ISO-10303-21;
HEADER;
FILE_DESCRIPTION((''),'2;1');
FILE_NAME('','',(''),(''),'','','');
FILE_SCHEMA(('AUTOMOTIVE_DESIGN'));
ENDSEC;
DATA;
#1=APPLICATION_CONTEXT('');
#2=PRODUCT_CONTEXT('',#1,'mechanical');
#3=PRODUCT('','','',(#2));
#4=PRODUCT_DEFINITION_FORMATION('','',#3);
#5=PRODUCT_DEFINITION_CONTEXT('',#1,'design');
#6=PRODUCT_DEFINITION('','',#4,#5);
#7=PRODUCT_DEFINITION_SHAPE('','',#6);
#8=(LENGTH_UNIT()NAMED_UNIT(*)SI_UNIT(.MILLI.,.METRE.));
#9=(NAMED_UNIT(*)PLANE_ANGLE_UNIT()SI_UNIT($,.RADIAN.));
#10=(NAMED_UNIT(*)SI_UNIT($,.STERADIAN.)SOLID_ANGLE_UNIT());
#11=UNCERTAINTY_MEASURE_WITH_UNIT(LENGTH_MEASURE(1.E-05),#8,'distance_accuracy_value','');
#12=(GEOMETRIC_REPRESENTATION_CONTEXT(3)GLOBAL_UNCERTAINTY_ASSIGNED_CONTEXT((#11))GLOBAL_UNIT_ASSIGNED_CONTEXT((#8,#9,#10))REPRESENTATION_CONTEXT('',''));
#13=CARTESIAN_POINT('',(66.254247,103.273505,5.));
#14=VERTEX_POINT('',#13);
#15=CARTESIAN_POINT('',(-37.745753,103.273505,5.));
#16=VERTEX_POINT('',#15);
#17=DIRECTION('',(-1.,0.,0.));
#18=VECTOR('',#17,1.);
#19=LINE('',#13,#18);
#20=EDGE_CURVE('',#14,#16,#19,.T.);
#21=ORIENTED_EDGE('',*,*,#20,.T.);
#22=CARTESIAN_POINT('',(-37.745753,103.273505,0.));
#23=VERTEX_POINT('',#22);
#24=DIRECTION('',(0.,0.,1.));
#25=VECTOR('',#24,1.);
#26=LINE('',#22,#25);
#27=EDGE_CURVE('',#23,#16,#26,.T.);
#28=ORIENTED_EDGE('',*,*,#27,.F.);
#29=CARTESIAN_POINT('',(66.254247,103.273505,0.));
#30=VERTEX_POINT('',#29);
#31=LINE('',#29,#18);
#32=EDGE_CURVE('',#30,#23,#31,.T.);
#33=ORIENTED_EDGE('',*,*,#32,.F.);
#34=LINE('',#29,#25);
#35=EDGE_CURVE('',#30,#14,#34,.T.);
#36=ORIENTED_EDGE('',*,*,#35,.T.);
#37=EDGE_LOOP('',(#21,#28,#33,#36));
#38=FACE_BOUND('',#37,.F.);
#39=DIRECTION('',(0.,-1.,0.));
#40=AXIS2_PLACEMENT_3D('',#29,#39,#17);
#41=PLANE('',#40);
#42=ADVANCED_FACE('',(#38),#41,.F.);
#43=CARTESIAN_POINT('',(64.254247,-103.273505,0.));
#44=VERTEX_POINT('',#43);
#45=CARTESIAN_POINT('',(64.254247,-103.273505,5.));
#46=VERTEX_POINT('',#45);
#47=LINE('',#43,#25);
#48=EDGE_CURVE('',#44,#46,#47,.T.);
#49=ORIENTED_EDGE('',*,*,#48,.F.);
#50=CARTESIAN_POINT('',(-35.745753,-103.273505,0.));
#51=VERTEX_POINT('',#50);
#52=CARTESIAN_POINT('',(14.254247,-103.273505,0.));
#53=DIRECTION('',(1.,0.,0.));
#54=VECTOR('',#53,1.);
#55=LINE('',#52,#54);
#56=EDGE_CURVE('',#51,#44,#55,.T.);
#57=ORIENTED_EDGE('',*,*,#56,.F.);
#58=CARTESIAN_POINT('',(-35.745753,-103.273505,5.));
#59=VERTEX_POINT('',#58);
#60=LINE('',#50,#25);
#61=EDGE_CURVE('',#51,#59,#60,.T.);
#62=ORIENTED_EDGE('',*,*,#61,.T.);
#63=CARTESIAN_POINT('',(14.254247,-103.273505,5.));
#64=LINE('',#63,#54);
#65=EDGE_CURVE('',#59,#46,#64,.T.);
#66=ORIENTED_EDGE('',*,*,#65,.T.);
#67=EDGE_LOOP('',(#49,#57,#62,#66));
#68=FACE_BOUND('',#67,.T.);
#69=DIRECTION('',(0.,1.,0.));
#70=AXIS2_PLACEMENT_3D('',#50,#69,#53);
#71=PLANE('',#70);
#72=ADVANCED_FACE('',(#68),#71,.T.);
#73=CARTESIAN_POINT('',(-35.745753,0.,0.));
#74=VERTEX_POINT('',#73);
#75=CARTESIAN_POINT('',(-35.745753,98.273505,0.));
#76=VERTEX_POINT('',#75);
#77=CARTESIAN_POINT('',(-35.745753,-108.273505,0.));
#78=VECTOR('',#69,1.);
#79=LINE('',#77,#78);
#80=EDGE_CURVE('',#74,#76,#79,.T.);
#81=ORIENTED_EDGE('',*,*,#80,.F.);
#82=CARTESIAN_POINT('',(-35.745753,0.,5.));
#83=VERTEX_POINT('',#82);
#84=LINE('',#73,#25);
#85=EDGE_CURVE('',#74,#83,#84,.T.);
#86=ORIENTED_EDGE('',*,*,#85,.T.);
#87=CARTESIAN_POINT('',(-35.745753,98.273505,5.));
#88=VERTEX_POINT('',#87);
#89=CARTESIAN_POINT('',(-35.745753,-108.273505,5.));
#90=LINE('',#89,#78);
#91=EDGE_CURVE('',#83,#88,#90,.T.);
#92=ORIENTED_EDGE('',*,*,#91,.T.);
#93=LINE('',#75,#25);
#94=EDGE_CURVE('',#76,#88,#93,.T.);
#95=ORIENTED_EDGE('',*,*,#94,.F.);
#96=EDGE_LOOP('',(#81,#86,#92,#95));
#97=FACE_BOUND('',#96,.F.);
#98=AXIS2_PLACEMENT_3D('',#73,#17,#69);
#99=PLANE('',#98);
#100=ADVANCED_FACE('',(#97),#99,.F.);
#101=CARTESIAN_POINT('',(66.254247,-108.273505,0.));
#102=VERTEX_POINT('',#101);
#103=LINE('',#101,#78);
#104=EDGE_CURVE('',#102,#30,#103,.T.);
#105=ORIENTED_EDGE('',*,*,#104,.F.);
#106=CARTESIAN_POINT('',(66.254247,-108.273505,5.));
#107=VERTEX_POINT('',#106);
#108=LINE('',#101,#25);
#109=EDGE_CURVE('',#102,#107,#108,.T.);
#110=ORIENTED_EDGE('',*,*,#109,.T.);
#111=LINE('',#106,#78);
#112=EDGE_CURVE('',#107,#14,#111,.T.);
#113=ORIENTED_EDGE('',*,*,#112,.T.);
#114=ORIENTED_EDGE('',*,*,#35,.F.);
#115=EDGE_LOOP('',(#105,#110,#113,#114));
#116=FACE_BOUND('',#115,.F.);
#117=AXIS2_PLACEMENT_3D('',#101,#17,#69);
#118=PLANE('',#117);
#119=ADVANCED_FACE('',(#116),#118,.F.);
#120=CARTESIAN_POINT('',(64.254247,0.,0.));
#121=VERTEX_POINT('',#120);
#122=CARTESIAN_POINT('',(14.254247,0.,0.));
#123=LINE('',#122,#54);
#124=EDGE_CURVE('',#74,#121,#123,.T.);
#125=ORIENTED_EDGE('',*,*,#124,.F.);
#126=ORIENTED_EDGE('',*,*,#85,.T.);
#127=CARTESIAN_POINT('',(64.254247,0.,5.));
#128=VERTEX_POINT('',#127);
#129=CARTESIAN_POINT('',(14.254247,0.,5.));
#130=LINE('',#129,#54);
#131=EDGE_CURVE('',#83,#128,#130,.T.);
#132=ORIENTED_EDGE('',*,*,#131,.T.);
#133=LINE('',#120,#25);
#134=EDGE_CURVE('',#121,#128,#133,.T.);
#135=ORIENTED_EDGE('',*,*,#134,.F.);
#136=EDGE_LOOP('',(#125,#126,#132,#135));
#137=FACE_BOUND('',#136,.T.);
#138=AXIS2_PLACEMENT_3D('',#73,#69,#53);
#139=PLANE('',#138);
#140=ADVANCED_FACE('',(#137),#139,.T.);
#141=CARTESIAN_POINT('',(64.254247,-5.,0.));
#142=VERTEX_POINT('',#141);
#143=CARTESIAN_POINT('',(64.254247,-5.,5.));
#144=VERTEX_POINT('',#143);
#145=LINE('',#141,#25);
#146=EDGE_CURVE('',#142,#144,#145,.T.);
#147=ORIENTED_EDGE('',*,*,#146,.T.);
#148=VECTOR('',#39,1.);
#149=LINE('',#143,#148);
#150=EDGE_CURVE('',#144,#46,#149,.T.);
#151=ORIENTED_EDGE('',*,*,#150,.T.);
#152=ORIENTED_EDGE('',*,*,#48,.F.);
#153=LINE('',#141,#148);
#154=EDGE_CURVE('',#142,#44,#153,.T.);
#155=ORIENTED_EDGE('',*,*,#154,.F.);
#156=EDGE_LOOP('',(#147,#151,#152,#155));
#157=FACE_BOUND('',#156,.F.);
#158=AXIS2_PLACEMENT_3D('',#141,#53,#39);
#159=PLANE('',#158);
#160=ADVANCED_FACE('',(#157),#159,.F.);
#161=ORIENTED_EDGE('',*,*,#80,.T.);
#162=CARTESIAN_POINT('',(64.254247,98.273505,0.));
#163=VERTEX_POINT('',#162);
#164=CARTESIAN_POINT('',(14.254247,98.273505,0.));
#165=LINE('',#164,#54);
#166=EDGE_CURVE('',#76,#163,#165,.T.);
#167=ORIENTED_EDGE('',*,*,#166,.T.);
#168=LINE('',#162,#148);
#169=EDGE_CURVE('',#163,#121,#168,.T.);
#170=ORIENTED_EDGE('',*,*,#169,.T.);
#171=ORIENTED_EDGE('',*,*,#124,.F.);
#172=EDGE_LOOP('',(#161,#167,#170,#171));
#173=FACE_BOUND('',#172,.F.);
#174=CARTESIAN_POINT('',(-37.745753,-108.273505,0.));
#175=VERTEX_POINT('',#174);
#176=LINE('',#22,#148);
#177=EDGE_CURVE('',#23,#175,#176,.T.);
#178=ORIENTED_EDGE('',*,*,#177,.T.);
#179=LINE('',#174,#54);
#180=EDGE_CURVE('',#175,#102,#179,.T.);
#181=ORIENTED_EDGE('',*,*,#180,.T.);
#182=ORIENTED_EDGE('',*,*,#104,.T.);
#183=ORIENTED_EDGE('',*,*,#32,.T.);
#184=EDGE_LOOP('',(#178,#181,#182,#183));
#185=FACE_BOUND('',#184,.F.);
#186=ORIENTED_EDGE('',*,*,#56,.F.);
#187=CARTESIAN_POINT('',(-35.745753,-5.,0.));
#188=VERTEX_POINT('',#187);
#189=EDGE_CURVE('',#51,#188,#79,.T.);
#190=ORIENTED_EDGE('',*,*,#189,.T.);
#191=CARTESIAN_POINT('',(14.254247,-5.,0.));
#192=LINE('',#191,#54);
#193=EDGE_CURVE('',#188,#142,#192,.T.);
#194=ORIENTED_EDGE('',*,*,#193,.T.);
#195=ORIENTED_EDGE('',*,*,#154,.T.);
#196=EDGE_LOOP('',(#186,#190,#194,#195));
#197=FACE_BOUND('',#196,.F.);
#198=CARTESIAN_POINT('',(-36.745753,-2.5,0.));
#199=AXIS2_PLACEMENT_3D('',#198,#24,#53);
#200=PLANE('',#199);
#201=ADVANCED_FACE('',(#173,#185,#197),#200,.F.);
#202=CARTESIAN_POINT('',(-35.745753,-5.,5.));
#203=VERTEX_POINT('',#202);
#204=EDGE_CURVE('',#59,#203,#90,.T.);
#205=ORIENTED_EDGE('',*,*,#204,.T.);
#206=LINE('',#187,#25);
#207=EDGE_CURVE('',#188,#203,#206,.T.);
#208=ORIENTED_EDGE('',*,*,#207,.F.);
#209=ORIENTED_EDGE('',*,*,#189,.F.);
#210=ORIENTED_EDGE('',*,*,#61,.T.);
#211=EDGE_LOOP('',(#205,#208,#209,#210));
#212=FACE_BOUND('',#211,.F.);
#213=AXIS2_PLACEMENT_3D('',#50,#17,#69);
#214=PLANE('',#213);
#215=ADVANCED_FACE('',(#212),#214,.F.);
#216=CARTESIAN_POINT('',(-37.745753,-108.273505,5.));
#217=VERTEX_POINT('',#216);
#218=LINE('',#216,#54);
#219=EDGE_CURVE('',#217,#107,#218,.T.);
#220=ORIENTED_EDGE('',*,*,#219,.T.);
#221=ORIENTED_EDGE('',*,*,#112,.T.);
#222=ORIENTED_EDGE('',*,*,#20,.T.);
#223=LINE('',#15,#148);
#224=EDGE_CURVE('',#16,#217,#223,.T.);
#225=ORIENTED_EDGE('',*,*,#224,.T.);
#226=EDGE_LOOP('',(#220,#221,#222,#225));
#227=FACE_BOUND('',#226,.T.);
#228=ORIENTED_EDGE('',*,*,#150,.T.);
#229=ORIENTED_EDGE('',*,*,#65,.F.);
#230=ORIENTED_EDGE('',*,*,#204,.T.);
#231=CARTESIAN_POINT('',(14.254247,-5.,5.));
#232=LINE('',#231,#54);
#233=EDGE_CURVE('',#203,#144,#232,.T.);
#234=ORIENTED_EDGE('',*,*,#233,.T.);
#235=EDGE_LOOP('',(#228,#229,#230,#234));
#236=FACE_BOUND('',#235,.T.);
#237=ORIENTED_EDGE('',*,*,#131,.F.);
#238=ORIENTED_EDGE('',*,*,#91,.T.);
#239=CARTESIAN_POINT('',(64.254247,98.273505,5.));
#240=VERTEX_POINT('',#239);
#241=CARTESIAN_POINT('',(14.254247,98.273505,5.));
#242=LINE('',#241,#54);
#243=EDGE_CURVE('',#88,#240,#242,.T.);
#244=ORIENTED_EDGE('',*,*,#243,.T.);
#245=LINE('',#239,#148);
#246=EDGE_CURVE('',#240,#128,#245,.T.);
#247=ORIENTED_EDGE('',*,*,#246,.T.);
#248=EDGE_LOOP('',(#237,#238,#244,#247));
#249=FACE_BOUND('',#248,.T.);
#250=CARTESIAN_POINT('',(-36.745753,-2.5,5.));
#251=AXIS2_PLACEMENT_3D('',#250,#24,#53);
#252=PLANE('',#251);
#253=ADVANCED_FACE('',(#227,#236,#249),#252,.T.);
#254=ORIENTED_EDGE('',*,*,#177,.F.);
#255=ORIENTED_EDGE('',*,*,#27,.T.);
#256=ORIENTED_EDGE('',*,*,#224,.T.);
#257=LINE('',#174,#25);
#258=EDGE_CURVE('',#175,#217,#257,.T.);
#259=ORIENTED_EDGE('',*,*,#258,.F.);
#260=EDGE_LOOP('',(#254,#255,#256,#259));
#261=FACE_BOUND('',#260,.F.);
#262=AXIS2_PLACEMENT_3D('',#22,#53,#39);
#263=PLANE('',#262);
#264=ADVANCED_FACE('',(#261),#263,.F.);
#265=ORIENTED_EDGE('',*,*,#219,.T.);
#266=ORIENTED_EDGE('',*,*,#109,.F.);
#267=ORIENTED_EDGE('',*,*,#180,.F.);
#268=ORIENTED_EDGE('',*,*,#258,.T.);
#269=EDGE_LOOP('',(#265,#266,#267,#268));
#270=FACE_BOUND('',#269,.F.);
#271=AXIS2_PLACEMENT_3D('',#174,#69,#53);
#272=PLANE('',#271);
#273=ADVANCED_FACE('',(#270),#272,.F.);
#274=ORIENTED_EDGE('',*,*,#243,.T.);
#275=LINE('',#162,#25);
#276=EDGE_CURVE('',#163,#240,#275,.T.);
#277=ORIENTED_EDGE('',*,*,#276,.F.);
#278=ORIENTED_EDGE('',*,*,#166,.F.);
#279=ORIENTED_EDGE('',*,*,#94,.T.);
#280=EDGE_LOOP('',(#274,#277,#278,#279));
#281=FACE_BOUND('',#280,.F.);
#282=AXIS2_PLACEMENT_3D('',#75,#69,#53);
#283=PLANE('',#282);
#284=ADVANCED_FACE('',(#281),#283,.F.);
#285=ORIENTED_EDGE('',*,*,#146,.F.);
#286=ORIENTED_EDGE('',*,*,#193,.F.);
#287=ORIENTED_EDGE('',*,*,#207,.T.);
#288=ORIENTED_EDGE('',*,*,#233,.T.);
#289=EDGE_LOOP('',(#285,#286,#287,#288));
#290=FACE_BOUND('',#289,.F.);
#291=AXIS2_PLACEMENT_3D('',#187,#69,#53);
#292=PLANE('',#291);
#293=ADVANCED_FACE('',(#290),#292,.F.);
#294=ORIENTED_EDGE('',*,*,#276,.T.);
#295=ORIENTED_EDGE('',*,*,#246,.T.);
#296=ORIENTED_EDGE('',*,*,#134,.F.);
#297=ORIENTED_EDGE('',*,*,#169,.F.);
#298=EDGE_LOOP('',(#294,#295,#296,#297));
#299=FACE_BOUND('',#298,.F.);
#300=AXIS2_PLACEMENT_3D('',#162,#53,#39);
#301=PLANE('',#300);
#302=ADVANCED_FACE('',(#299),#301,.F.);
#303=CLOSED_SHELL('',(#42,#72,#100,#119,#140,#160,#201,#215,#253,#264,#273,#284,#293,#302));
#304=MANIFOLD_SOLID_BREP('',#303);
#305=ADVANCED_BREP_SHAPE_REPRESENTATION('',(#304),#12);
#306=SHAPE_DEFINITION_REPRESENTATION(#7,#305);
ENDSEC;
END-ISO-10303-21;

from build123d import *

# Parameters (mm, degrees)
F0_W     = 100
F0_H     = 5
F1_DEPTH = 5


with BuildPart() as f1:
    # F0 (on Top) → F1 (new body)
    with BuildSketch(Plane.XY):
        Polygon((-35.745753, 98.273505), (-35.745753, 103.273505), (-37.745753, 103.273505), (-37.745753, -108.273505), (-35.745753, -108.273505), (-35.745753, -103.273505), (-35.745753, -5), (-35.745753, 0), align=None)
        with Locations((14.254247, -105.773505)):
            Rectangle(F0_W, F0_H)
        with Locations((14.254247, -2.5)):
            Rectangle(F0_W, F0_H)
        with Locations((14.254247, 100.773505)):
            Rectangle(F0_W, F0_H)
        Polygon((66.254247, 103.273505), (64.254247, 103.273505), (64.254247, 98.273505), (64.254247, 0), (64.254247, -5), (64.254247, -103.273505), (64.254247, -108.273505), (66.254247, -108.273505), align=None)
    extrude(amount=F1_DEPTH)


solid = f1.part
